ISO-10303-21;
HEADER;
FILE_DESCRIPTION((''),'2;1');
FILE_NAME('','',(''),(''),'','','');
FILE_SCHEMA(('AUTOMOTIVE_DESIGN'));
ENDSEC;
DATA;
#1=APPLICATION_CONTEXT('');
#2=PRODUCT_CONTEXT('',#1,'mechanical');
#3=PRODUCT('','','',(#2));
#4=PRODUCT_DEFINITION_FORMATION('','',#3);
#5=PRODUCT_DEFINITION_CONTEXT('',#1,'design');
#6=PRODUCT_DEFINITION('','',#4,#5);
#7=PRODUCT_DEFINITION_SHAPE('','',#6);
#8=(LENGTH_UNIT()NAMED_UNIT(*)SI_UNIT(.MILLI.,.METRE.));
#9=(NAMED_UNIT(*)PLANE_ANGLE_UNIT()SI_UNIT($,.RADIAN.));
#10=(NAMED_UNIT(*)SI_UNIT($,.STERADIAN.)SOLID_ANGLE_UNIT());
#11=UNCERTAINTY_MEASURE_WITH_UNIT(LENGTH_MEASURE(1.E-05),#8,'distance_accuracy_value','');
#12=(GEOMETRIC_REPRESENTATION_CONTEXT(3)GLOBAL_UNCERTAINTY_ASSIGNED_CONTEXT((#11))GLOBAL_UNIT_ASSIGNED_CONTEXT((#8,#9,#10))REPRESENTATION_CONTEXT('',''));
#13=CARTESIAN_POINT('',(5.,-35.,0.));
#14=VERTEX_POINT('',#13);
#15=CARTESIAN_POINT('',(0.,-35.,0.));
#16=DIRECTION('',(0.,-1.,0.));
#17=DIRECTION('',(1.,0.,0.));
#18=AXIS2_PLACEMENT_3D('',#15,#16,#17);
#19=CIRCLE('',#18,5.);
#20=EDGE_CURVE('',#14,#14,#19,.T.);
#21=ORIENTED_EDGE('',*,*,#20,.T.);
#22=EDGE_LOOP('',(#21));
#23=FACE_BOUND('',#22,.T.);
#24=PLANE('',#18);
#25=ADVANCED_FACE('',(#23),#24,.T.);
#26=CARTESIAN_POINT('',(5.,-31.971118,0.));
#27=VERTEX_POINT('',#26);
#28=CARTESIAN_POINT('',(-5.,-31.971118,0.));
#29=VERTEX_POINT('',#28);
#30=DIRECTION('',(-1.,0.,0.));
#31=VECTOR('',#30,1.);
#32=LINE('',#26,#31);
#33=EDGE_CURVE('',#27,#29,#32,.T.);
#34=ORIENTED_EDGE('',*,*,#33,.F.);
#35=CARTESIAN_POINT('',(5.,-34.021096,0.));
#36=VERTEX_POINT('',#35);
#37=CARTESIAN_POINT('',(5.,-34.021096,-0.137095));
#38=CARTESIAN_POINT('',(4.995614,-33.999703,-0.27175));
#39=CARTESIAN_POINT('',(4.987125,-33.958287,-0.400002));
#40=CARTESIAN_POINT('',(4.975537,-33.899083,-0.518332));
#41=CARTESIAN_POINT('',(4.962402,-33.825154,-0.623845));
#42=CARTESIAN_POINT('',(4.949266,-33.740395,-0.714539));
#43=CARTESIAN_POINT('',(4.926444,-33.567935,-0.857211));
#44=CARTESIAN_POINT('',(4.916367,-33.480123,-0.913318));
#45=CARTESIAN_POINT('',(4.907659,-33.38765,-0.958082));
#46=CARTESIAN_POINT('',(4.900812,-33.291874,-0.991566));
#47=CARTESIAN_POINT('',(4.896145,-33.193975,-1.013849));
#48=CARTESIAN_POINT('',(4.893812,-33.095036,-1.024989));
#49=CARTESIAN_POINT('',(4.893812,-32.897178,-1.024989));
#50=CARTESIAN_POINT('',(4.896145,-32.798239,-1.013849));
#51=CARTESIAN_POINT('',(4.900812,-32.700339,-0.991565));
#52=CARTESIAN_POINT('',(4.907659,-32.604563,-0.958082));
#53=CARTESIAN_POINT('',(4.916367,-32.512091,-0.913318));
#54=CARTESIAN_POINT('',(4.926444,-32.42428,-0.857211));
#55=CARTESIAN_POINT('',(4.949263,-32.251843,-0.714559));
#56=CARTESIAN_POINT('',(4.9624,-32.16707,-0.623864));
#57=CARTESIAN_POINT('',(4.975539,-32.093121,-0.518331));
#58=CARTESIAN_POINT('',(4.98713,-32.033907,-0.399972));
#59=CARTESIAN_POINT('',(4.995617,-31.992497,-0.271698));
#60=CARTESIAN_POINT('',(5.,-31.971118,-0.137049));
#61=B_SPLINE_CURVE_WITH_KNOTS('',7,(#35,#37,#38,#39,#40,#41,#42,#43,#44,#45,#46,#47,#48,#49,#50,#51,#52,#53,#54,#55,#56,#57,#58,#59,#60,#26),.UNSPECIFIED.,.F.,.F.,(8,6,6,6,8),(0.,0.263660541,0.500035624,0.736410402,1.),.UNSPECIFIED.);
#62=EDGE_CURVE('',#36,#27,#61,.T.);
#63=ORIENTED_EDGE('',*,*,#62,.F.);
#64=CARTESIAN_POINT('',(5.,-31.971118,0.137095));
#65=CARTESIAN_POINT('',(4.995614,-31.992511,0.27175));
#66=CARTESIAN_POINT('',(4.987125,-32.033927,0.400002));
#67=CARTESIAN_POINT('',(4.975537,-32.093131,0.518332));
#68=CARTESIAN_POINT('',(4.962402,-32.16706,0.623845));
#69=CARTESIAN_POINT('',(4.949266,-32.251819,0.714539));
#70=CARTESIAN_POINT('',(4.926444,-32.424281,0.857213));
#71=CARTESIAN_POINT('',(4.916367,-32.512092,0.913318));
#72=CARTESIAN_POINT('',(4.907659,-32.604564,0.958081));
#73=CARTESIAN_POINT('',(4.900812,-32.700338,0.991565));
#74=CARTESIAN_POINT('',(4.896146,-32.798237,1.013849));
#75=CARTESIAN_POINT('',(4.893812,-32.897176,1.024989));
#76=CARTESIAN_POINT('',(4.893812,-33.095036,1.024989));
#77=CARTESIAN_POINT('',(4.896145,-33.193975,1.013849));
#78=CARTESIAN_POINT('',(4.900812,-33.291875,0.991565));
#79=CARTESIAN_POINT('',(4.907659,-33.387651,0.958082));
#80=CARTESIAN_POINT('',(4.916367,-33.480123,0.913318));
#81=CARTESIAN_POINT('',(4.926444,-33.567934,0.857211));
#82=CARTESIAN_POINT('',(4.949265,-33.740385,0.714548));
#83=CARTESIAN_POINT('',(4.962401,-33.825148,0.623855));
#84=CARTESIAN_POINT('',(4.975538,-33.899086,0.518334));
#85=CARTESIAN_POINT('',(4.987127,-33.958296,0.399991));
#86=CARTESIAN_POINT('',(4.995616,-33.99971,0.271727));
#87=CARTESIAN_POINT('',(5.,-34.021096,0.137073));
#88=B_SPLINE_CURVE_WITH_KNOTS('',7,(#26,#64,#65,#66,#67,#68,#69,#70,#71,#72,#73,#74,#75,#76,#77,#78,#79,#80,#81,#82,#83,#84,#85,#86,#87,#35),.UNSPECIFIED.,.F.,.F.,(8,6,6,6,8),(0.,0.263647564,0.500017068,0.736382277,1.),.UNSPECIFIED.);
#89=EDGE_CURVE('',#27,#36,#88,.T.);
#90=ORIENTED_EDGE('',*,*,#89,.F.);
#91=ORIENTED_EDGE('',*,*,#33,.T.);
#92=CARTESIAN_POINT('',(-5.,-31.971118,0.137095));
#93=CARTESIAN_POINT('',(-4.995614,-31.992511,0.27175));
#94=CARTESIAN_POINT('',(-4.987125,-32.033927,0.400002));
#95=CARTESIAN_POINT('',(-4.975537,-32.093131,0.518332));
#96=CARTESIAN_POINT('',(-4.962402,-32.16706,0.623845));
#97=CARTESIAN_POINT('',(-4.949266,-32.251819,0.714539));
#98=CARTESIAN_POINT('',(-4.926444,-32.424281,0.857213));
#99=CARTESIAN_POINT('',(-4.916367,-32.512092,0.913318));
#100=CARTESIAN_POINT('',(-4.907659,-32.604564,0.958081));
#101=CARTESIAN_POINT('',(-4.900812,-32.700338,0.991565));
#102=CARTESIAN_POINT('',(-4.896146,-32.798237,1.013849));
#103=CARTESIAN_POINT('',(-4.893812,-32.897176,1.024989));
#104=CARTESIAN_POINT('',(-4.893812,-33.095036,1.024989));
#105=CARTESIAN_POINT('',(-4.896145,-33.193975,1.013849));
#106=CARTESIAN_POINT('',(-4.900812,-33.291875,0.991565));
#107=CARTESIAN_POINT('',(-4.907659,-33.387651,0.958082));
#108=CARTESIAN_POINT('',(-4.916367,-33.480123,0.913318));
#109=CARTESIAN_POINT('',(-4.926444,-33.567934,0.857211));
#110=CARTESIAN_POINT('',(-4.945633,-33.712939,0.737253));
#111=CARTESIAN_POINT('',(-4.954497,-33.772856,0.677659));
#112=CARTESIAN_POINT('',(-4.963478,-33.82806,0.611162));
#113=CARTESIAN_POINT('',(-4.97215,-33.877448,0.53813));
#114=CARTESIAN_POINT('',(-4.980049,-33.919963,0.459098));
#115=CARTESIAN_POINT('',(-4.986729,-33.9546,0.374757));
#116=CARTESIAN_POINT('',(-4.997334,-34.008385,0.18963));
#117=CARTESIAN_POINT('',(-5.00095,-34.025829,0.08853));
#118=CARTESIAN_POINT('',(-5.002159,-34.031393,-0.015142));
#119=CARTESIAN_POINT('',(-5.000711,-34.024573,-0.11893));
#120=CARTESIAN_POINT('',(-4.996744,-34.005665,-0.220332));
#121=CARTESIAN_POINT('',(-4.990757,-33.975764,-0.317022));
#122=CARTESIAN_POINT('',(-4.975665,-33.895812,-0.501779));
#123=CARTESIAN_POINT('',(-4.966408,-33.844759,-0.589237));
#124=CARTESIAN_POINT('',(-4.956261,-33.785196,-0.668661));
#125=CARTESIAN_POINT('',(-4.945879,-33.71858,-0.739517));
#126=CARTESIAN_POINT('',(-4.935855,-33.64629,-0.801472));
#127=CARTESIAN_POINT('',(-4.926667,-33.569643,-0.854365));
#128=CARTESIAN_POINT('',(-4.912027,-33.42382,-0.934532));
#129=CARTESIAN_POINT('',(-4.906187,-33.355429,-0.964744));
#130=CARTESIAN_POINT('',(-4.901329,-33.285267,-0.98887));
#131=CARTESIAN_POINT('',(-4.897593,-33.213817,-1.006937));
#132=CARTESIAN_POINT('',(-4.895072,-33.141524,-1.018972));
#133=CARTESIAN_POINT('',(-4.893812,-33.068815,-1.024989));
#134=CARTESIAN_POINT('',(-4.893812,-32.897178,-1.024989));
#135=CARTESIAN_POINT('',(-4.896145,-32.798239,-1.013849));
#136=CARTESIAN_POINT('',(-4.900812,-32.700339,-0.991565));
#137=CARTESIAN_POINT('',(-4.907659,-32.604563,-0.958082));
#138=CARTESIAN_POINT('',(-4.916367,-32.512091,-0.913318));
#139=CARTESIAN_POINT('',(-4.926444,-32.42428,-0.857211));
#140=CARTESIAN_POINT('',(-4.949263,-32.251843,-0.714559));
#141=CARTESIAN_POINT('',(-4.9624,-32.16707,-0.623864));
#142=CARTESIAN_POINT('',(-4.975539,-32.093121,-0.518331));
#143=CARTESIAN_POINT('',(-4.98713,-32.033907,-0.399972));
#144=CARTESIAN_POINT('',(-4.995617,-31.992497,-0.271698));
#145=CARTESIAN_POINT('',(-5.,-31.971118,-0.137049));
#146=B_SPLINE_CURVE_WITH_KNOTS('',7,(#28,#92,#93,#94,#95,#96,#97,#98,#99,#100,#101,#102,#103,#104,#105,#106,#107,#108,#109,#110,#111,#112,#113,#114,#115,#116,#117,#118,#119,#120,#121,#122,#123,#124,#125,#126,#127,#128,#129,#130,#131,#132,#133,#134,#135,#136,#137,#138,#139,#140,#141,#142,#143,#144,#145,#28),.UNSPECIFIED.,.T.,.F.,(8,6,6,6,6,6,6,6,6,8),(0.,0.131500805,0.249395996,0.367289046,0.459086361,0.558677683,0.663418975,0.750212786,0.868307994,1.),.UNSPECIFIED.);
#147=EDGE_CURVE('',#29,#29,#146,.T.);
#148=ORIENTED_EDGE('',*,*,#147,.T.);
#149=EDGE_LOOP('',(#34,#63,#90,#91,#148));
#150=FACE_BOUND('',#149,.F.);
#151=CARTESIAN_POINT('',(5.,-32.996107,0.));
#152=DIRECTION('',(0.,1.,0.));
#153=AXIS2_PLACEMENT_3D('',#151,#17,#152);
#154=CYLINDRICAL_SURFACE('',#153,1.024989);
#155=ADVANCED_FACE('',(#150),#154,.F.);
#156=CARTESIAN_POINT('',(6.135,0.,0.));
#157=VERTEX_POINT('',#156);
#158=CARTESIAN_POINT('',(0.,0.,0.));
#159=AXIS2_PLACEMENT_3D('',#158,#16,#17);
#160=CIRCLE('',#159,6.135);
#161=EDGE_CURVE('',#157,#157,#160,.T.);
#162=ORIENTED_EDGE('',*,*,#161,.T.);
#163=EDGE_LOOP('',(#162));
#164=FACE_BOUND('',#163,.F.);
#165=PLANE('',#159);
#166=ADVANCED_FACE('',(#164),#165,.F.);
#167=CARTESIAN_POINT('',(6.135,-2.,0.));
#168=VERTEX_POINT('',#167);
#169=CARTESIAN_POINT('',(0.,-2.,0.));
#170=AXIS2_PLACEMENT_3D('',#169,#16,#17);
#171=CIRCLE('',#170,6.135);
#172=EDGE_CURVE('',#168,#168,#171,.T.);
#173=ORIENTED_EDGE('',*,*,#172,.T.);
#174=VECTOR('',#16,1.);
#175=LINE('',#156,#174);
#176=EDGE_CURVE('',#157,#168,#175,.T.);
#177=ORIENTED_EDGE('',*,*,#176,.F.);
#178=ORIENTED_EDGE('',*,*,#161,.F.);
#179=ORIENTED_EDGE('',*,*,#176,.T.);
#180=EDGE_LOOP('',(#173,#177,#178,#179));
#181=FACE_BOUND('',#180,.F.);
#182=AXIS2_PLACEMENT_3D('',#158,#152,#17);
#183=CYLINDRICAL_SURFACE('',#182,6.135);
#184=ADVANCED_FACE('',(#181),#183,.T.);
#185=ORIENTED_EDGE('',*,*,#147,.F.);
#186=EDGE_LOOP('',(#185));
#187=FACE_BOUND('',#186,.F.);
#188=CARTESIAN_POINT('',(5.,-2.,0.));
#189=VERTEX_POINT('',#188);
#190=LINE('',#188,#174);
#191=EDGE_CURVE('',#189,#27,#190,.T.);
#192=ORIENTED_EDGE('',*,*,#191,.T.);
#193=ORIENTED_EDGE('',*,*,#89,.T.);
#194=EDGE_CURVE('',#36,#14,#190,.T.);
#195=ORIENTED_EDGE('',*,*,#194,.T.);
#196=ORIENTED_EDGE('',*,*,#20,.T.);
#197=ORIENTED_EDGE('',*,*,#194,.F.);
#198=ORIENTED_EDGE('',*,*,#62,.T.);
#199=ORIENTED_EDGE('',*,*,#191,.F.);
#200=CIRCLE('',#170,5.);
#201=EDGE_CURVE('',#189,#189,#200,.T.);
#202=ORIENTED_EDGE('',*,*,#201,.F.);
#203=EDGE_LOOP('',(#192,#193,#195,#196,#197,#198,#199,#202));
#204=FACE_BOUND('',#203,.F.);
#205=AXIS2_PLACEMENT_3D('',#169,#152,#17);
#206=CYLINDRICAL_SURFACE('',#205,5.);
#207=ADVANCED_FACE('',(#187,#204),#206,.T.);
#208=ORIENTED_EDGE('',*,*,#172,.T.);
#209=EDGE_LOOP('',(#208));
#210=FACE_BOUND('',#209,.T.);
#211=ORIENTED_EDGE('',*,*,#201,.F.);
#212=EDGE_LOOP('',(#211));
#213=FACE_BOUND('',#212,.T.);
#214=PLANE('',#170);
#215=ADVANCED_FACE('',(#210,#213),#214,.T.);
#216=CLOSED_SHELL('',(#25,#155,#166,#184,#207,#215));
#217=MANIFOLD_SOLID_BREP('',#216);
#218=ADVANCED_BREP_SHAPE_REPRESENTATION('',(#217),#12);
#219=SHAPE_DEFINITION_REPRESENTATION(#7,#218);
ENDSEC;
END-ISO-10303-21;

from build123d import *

# Parameters (mm, degrees)
F0_R     = 6.135
F1_DEPTH = 2
F2_R     = 5
F3_DEPTH = 33
F5_R     = 1.024989
F6_DEPTH = 11.136


with BuildPart() as f1:
    # F0 (on Front) → F1 (new body)
    with BuildSketch(Plane.XZ):
        Circle(F0_R)
    extrude(amount=F1_DEPTH)

    # F2 (on face) → F3 (join)
    with BuildSketch(Plane.XZ.offset(2)):
        Circle(F2_R)
    extrude(amount=F3_DEPTH)

    # F5 (on offset) → F6 (cut, through all)
    with BuildSketch(Plane.YZ.offset(5)):
        with Locations((-32.996107, 0)):
            Circle(F5_R)
    extrude(amount=-F6_DEPTH, mode=Mode.SUBTRACT)


solid = f1.part
